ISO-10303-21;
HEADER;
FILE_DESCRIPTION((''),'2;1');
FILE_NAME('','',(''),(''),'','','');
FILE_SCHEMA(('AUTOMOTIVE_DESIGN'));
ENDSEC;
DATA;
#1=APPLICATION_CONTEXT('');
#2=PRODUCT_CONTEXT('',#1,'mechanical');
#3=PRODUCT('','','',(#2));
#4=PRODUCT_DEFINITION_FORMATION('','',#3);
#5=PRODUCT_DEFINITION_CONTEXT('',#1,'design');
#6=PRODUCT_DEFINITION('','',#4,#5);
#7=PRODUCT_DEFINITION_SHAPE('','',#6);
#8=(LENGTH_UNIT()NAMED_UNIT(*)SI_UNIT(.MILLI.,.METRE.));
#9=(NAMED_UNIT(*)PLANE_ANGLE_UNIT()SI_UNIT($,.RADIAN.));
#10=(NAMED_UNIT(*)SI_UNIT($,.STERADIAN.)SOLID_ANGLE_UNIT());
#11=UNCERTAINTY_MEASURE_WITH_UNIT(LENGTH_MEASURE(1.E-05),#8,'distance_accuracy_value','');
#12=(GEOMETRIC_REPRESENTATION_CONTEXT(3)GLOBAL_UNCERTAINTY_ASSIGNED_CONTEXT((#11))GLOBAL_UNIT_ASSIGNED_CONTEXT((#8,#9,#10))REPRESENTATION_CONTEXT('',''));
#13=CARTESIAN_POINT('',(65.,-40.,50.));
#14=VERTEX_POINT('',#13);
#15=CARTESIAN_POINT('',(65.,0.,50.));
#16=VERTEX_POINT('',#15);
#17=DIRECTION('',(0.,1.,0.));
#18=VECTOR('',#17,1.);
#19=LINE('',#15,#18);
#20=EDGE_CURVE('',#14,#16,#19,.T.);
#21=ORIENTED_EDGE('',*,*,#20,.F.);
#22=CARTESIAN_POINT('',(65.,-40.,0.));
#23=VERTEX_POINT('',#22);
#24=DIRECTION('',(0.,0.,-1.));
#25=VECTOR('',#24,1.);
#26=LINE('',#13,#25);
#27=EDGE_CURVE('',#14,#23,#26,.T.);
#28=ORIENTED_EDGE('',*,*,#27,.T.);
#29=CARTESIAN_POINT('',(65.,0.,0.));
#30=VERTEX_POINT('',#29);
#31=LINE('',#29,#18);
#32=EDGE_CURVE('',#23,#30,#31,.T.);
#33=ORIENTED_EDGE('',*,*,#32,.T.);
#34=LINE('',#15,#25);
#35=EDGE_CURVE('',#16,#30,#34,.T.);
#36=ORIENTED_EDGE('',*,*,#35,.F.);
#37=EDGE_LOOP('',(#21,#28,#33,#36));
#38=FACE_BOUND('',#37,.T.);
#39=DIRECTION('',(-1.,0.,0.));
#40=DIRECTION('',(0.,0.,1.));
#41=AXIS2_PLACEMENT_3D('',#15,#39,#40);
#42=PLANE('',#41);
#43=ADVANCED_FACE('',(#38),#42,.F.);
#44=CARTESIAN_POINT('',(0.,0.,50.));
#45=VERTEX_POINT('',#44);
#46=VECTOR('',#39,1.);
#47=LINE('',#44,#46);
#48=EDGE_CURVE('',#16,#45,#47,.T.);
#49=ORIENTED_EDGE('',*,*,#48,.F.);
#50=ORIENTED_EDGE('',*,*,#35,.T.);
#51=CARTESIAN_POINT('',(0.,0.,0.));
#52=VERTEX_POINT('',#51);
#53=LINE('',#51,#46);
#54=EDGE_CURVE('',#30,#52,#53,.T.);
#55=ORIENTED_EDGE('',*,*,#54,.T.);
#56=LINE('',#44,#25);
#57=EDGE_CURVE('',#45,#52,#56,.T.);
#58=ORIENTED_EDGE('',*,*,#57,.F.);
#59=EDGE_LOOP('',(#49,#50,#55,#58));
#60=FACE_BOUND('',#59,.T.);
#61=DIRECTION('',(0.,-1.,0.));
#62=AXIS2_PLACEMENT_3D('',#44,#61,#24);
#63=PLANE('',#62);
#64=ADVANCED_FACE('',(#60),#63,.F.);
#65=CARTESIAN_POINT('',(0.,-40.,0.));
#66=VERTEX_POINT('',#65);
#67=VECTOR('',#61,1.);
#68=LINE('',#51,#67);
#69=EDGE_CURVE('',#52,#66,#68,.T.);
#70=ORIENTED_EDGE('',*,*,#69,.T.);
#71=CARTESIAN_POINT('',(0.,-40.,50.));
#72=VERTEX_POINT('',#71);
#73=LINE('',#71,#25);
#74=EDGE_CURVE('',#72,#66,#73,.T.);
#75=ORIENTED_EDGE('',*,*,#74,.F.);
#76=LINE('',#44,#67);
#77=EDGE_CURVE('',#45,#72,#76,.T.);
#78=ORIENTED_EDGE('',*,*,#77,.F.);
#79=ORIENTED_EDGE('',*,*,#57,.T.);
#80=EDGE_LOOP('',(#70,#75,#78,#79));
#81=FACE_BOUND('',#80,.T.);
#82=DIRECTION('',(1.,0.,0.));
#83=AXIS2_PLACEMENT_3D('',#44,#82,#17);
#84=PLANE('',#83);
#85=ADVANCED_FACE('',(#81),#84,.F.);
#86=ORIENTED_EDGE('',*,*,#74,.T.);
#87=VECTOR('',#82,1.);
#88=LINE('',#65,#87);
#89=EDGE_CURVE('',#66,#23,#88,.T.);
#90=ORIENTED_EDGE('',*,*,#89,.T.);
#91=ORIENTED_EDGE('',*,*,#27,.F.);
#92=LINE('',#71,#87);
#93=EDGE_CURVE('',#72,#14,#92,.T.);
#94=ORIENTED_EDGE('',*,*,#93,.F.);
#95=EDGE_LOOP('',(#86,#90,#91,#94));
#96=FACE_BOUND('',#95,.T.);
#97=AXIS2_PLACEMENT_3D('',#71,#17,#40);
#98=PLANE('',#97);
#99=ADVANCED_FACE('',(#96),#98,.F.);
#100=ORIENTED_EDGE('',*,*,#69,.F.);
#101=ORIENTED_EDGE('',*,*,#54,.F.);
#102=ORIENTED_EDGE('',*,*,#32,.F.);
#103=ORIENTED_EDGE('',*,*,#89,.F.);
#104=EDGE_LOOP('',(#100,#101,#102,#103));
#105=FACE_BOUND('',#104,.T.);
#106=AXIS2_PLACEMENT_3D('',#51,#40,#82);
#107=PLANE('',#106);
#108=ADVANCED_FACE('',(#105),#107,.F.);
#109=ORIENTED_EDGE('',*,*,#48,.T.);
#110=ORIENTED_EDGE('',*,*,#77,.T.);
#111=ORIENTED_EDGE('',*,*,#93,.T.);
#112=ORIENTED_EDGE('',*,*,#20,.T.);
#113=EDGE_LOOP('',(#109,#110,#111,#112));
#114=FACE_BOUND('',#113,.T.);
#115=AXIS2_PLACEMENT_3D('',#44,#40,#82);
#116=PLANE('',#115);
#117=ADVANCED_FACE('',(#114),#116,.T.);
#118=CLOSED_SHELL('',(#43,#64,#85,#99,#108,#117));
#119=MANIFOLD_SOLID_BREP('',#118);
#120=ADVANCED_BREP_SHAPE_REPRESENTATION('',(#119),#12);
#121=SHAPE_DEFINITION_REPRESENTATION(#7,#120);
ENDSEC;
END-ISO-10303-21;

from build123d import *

# Parameters (mm, degrees)
ESQUISSE1_W        = 65
ESQUISSE1_H        = 40
BOSS_EXTRU_1_DEPTH = 50


with BuildPart() as part:
    # Esquisse1 → Boss.-Extru.1 (new body)
    with BuildSketch(Plane.XY):
        with Locations((32.5, -20)):
            Rectangle(ESQUISSE1_W, ESQUISSE1_H)
    extrude(amount=BOSS_EXTRU_1_DEPTH)


solid = part.part
